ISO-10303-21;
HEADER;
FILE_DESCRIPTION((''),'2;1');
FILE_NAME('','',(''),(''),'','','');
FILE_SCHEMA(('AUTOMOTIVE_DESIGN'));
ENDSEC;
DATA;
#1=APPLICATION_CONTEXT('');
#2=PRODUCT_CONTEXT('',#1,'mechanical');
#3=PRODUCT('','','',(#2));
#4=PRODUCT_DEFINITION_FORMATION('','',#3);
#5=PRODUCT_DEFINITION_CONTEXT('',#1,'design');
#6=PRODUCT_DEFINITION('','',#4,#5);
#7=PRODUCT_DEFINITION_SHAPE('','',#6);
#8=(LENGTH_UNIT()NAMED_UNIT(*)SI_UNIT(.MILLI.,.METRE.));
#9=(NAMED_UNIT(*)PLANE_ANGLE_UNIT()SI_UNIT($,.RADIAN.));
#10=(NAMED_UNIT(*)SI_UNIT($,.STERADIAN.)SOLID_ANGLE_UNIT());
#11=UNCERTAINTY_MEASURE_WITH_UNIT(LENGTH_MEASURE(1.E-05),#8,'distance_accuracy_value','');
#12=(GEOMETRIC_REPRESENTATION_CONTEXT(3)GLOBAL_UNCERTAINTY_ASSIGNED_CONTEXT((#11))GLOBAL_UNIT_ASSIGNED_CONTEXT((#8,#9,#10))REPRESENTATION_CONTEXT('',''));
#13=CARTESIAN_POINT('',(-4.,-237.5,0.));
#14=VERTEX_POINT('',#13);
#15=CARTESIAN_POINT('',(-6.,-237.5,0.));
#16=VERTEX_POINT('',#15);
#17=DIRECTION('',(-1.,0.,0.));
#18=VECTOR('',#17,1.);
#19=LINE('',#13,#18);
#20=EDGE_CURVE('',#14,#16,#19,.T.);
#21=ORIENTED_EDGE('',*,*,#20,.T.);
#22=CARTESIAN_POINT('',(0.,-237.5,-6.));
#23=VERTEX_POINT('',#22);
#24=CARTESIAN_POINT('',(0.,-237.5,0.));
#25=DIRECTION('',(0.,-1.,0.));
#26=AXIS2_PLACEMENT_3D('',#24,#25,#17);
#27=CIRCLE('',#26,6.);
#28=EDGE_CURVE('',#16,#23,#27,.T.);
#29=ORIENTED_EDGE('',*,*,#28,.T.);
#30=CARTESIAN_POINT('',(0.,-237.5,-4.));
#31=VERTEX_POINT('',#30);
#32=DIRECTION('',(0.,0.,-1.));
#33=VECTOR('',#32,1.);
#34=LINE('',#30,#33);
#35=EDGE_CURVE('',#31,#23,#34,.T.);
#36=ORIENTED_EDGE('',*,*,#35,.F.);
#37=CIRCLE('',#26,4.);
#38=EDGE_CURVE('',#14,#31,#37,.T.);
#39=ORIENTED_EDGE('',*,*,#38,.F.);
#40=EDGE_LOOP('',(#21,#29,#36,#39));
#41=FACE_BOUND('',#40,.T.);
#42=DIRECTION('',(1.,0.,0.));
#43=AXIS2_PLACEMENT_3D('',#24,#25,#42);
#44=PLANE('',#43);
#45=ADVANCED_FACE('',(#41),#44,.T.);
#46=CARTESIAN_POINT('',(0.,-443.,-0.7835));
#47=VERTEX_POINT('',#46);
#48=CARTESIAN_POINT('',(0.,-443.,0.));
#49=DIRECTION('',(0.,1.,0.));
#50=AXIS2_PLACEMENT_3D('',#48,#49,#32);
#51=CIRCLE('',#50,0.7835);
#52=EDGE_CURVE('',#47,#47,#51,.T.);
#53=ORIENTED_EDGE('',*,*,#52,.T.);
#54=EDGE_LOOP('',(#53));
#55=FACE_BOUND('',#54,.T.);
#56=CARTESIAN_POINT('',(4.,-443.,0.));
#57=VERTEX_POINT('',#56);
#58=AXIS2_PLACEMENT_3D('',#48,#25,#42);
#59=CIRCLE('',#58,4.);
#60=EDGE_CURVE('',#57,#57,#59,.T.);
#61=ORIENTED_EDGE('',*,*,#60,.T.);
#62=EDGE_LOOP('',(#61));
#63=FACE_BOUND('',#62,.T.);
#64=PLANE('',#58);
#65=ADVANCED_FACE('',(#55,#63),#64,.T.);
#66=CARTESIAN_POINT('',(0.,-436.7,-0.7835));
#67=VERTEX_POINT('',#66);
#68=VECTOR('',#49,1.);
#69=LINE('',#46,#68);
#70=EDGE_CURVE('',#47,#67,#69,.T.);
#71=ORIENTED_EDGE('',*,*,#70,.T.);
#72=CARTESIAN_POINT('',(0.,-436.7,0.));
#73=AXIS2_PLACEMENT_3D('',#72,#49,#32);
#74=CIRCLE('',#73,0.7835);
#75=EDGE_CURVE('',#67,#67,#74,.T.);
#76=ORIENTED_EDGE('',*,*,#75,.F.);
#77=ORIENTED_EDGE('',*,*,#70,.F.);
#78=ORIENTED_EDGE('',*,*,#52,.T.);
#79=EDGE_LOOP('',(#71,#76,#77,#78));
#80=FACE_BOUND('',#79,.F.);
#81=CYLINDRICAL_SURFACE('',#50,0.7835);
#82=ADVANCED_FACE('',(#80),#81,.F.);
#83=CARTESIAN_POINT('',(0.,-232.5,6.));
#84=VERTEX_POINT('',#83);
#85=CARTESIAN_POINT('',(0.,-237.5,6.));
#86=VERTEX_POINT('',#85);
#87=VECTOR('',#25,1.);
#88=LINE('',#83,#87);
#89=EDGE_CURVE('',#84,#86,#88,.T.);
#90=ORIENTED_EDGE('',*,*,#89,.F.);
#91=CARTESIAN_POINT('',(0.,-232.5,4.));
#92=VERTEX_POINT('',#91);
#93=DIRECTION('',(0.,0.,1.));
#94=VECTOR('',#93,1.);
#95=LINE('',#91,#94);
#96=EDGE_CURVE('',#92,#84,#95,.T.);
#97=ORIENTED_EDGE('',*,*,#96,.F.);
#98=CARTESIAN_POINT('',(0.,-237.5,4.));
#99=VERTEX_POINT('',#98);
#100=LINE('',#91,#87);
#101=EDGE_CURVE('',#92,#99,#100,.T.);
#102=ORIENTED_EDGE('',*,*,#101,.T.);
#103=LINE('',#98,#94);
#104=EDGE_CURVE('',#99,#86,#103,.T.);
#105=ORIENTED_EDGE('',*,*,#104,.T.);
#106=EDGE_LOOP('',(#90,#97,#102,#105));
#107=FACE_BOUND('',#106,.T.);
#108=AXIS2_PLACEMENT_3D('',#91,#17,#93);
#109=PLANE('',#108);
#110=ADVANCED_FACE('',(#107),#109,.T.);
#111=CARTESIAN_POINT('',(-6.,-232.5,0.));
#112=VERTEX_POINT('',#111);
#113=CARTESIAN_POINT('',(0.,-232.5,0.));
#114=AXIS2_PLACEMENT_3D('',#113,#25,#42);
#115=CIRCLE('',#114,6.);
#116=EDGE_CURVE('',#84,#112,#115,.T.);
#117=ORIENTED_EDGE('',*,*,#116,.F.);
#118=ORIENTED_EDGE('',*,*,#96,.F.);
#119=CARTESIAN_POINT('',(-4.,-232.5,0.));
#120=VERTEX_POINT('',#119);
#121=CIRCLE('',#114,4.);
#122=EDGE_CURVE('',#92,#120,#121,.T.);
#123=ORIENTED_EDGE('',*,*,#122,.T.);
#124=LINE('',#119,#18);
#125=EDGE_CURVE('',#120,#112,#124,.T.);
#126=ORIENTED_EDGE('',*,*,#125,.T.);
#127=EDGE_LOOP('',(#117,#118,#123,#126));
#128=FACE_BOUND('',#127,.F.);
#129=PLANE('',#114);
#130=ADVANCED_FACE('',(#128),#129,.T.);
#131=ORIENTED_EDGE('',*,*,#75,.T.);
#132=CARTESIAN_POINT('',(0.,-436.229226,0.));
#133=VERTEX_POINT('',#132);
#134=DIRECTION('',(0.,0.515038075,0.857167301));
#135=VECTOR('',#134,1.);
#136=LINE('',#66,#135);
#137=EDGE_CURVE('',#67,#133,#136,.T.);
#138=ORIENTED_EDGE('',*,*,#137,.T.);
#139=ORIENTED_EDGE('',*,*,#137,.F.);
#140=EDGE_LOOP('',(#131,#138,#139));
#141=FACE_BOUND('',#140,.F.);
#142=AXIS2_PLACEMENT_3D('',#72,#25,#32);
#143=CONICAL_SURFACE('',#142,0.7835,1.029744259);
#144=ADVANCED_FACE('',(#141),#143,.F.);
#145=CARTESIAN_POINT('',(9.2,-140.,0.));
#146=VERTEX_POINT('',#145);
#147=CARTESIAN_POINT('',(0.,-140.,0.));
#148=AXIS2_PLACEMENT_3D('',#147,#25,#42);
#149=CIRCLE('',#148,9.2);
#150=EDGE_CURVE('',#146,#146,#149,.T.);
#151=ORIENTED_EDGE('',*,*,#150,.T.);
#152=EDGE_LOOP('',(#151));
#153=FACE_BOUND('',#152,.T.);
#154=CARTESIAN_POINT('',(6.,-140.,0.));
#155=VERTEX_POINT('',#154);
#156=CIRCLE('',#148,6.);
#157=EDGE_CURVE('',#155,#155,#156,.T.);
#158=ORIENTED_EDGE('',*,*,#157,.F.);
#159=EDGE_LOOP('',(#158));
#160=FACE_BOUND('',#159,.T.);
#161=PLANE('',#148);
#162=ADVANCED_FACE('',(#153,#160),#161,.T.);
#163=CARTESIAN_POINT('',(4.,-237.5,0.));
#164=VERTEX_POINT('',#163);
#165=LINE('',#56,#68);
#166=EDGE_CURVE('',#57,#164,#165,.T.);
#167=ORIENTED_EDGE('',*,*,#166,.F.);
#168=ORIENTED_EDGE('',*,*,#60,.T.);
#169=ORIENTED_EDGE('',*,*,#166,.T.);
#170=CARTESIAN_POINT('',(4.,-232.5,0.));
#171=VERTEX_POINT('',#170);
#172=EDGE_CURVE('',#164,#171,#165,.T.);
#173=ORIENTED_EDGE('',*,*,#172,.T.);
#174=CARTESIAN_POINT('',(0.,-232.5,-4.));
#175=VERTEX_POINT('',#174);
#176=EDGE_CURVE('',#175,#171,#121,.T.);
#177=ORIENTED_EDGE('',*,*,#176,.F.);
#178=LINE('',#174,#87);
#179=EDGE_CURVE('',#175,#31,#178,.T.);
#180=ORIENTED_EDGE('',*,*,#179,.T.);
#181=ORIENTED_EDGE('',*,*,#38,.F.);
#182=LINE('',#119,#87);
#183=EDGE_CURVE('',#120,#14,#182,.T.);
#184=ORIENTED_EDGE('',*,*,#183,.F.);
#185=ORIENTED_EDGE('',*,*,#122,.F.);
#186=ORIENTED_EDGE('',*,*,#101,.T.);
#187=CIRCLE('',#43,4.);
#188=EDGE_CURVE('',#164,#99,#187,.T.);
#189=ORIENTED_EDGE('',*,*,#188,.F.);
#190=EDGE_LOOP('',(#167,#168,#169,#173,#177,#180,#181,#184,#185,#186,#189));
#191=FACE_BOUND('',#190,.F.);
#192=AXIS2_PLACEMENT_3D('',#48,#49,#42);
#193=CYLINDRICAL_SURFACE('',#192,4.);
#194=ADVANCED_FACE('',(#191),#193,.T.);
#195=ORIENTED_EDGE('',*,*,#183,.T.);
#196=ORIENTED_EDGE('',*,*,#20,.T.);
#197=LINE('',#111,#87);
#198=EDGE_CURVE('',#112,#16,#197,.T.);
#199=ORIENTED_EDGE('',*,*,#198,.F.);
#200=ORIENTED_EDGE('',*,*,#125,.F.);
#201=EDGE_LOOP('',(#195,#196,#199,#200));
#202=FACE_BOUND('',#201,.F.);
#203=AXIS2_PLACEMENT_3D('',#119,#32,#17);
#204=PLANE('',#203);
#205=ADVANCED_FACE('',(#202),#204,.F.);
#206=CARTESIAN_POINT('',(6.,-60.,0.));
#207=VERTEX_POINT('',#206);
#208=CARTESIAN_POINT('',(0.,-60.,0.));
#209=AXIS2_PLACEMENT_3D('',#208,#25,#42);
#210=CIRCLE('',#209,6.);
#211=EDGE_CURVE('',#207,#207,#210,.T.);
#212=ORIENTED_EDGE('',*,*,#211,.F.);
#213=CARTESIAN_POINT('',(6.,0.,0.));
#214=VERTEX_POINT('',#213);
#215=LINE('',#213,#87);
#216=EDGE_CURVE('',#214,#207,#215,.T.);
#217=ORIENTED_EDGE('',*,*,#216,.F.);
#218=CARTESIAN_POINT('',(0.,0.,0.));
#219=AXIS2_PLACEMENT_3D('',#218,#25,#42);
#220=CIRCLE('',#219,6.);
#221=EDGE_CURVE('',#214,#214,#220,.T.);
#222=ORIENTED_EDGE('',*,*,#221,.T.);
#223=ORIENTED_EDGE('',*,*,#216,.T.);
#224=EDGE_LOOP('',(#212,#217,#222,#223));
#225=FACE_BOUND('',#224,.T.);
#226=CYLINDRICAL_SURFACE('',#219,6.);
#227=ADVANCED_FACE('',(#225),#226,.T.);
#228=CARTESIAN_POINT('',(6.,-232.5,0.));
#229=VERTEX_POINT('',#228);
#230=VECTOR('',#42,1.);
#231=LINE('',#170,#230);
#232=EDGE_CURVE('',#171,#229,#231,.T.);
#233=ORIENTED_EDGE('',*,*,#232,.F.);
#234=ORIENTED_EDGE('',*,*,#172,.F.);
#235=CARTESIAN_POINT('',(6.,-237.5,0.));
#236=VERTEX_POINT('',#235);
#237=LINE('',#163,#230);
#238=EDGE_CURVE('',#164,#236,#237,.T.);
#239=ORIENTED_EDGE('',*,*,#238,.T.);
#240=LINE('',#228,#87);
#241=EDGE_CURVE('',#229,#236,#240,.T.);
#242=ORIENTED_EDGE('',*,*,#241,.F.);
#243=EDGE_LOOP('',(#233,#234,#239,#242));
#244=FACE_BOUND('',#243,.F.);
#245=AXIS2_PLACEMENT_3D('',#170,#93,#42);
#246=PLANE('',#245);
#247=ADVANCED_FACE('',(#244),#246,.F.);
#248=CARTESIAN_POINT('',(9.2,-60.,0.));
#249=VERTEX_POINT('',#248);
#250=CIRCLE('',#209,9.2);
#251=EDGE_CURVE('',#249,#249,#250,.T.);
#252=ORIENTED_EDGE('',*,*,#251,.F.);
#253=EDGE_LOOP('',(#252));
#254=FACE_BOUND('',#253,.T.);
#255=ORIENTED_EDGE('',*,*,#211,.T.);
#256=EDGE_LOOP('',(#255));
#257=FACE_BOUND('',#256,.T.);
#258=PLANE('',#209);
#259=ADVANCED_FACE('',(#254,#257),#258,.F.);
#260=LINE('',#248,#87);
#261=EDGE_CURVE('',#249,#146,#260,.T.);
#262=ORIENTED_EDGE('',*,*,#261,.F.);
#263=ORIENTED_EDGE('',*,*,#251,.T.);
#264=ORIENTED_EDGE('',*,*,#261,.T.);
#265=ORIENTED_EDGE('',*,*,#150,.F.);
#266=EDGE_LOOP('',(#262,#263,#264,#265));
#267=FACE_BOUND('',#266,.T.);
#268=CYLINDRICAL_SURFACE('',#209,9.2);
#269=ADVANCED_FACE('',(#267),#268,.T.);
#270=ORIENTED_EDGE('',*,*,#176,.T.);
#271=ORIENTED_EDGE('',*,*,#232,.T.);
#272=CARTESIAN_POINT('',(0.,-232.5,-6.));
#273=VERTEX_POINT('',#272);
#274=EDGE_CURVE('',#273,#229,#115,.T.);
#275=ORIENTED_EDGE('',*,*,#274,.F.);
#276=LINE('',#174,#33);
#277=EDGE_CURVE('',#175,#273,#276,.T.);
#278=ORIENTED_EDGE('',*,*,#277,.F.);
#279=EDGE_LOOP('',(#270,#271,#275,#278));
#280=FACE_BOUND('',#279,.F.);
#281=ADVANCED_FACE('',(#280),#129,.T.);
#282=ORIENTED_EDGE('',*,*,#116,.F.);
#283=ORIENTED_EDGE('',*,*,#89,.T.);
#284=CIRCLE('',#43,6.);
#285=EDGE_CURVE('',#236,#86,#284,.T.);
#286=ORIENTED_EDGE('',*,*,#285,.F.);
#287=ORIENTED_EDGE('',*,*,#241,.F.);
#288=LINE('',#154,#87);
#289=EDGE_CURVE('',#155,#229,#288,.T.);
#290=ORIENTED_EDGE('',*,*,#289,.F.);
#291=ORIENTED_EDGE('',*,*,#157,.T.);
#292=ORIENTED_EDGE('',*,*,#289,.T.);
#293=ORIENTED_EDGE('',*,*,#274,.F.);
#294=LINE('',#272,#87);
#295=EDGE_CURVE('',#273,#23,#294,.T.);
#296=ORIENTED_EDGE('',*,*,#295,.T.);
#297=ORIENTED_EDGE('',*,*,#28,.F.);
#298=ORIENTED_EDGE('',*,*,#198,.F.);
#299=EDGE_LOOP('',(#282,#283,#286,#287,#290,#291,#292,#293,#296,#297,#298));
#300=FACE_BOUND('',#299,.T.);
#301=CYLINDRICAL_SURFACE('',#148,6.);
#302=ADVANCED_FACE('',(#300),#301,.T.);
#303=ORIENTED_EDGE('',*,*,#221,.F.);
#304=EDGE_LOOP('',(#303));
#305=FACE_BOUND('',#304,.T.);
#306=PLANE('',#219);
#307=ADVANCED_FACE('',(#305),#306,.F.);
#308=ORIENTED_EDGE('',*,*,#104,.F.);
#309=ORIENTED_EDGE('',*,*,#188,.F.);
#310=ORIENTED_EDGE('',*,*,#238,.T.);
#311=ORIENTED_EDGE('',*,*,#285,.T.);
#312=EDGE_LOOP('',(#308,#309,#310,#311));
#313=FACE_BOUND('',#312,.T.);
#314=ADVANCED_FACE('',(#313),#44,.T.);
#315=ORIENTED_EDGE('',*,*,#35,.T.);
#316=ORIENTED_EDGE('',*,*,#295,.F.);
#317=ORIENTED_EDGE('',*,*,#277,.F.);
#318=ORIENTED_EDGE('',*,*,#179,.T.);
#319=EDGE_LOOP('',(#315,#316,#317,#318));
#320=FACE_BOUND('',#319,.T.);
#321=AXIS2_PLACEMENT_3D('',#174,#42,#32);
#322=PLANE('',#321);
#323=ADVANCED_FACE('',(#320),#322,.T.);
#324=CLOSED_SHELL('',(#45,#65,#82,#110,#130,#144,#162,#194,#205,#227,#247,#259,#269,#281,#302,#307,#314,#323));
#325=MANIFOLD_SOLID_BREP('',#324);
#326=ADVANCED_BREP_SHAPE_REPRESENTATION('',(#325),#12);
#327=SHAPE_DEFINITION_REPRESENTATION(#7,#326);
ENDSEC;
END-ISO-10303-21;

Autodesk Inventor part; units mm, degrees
ref_plane "YZ Plane" through (0, 0, 0) normal (1, 0, 0) x (0, 1, 0)
ref_plane "XZ Plane" through (0, 0, 0) normal (0, 1, 0) x (-1, 0, 0)
ref_plane "XY Plane" through (0, 0, 0) normal (0, 0, 1) x (1, 0, 0)
sketch "Sketch1" plane through (0, 0, 0) normal (0, 0, 1) x (1, 0, 0)
  line L0 (0, 0) -> (0, -500) construction
  line L1 (0, 0) -> (6, 0)
  line L2 (6, 0) -> (6, -60)
  line L3 (6, -60) -> (9.2, -60)
  line L4 (9.2, -60) -> (9.2, -140)
  line L5 (9.2, -140) -> (6, -140)
  line L6 (6, -140) -> (6, -232.5)
  line L7 (0, 0) -> (0, -443)
  line L8 (0, 0) -> (0, 9) construction
  line L9 (4, -443) -> (4, -232.5)
  line L10 (4, -232.5) -> (6, -232.5)
  line L11 (4, -443) -> (0, -443)
  dimension "d1" = 12
  dimension "d2" = 60
  dimension "d3" = 18.4
  dimension "d4" = 80
  dimension "d7" = 8
  dimension "d8" = 210.5
  dimension "d9" = 443
revolve "Revolution1" add sketch "Sketch1" angle 360 about axis through (0, 0, 0) along (0, -1, 0)
sketch "Sketch2" plane through (0, -232.5, 0) normal (0, -1, 0) x (1, 0, 0)
  line L0 (0, 0) -> (0, 10.7217) construction
  line L1 (0, 0) -> (0, -10) construction
  line L2 (0, 0) -> (-12.4689, 0) construction
  line L3 (0, 0) -> (11.6918, 0) construction
  circle A0 centre (0, 0) radius 6 construction
  arc A1 (6, 0) -> (0, 6) centre (0, 0) ccw
  arc A2 (-6, 0) -> (0, -6) centre (0, 0) ccw
  arc A3 (4, 0) -> (0, 4) centre (0, 0) ccw
  arc A4 (-4, 0) -> (0, -4) centre (0, 0) ccw
  line L4 (-4, 0) -> (-6, 0)
  line L5 (0, -4) -> (0, -6)
  line L6 (0, 4) -> (0, 6)
  line L7 (4, 0) -> (6, 0)
  dimension "d10" = 4
  dimension "d11" = 4
extrude "Extrusion1" add sketch "Sketch2" along normal blind 5
sketch "Sketch3" plane through (0, -443, 0) normal (0, -1, 0) x (1, 0, 0)
  point P0 (0, 0)
  point P1 (0, 0)
hole "Hole1" at (0, -443, 0) direction (0, 1, 0) diameter 1.567 depth 6.3 tip angle 118 thread size "M2x0.4" class "6H" standard "ANSI Metric M Profile"
sketch "Sketch4" plane through (0, -443, 0) normal (0, -1, 0) x (1, 0, 0)
  point P0 (0, 0)
properties part number "Achse"
